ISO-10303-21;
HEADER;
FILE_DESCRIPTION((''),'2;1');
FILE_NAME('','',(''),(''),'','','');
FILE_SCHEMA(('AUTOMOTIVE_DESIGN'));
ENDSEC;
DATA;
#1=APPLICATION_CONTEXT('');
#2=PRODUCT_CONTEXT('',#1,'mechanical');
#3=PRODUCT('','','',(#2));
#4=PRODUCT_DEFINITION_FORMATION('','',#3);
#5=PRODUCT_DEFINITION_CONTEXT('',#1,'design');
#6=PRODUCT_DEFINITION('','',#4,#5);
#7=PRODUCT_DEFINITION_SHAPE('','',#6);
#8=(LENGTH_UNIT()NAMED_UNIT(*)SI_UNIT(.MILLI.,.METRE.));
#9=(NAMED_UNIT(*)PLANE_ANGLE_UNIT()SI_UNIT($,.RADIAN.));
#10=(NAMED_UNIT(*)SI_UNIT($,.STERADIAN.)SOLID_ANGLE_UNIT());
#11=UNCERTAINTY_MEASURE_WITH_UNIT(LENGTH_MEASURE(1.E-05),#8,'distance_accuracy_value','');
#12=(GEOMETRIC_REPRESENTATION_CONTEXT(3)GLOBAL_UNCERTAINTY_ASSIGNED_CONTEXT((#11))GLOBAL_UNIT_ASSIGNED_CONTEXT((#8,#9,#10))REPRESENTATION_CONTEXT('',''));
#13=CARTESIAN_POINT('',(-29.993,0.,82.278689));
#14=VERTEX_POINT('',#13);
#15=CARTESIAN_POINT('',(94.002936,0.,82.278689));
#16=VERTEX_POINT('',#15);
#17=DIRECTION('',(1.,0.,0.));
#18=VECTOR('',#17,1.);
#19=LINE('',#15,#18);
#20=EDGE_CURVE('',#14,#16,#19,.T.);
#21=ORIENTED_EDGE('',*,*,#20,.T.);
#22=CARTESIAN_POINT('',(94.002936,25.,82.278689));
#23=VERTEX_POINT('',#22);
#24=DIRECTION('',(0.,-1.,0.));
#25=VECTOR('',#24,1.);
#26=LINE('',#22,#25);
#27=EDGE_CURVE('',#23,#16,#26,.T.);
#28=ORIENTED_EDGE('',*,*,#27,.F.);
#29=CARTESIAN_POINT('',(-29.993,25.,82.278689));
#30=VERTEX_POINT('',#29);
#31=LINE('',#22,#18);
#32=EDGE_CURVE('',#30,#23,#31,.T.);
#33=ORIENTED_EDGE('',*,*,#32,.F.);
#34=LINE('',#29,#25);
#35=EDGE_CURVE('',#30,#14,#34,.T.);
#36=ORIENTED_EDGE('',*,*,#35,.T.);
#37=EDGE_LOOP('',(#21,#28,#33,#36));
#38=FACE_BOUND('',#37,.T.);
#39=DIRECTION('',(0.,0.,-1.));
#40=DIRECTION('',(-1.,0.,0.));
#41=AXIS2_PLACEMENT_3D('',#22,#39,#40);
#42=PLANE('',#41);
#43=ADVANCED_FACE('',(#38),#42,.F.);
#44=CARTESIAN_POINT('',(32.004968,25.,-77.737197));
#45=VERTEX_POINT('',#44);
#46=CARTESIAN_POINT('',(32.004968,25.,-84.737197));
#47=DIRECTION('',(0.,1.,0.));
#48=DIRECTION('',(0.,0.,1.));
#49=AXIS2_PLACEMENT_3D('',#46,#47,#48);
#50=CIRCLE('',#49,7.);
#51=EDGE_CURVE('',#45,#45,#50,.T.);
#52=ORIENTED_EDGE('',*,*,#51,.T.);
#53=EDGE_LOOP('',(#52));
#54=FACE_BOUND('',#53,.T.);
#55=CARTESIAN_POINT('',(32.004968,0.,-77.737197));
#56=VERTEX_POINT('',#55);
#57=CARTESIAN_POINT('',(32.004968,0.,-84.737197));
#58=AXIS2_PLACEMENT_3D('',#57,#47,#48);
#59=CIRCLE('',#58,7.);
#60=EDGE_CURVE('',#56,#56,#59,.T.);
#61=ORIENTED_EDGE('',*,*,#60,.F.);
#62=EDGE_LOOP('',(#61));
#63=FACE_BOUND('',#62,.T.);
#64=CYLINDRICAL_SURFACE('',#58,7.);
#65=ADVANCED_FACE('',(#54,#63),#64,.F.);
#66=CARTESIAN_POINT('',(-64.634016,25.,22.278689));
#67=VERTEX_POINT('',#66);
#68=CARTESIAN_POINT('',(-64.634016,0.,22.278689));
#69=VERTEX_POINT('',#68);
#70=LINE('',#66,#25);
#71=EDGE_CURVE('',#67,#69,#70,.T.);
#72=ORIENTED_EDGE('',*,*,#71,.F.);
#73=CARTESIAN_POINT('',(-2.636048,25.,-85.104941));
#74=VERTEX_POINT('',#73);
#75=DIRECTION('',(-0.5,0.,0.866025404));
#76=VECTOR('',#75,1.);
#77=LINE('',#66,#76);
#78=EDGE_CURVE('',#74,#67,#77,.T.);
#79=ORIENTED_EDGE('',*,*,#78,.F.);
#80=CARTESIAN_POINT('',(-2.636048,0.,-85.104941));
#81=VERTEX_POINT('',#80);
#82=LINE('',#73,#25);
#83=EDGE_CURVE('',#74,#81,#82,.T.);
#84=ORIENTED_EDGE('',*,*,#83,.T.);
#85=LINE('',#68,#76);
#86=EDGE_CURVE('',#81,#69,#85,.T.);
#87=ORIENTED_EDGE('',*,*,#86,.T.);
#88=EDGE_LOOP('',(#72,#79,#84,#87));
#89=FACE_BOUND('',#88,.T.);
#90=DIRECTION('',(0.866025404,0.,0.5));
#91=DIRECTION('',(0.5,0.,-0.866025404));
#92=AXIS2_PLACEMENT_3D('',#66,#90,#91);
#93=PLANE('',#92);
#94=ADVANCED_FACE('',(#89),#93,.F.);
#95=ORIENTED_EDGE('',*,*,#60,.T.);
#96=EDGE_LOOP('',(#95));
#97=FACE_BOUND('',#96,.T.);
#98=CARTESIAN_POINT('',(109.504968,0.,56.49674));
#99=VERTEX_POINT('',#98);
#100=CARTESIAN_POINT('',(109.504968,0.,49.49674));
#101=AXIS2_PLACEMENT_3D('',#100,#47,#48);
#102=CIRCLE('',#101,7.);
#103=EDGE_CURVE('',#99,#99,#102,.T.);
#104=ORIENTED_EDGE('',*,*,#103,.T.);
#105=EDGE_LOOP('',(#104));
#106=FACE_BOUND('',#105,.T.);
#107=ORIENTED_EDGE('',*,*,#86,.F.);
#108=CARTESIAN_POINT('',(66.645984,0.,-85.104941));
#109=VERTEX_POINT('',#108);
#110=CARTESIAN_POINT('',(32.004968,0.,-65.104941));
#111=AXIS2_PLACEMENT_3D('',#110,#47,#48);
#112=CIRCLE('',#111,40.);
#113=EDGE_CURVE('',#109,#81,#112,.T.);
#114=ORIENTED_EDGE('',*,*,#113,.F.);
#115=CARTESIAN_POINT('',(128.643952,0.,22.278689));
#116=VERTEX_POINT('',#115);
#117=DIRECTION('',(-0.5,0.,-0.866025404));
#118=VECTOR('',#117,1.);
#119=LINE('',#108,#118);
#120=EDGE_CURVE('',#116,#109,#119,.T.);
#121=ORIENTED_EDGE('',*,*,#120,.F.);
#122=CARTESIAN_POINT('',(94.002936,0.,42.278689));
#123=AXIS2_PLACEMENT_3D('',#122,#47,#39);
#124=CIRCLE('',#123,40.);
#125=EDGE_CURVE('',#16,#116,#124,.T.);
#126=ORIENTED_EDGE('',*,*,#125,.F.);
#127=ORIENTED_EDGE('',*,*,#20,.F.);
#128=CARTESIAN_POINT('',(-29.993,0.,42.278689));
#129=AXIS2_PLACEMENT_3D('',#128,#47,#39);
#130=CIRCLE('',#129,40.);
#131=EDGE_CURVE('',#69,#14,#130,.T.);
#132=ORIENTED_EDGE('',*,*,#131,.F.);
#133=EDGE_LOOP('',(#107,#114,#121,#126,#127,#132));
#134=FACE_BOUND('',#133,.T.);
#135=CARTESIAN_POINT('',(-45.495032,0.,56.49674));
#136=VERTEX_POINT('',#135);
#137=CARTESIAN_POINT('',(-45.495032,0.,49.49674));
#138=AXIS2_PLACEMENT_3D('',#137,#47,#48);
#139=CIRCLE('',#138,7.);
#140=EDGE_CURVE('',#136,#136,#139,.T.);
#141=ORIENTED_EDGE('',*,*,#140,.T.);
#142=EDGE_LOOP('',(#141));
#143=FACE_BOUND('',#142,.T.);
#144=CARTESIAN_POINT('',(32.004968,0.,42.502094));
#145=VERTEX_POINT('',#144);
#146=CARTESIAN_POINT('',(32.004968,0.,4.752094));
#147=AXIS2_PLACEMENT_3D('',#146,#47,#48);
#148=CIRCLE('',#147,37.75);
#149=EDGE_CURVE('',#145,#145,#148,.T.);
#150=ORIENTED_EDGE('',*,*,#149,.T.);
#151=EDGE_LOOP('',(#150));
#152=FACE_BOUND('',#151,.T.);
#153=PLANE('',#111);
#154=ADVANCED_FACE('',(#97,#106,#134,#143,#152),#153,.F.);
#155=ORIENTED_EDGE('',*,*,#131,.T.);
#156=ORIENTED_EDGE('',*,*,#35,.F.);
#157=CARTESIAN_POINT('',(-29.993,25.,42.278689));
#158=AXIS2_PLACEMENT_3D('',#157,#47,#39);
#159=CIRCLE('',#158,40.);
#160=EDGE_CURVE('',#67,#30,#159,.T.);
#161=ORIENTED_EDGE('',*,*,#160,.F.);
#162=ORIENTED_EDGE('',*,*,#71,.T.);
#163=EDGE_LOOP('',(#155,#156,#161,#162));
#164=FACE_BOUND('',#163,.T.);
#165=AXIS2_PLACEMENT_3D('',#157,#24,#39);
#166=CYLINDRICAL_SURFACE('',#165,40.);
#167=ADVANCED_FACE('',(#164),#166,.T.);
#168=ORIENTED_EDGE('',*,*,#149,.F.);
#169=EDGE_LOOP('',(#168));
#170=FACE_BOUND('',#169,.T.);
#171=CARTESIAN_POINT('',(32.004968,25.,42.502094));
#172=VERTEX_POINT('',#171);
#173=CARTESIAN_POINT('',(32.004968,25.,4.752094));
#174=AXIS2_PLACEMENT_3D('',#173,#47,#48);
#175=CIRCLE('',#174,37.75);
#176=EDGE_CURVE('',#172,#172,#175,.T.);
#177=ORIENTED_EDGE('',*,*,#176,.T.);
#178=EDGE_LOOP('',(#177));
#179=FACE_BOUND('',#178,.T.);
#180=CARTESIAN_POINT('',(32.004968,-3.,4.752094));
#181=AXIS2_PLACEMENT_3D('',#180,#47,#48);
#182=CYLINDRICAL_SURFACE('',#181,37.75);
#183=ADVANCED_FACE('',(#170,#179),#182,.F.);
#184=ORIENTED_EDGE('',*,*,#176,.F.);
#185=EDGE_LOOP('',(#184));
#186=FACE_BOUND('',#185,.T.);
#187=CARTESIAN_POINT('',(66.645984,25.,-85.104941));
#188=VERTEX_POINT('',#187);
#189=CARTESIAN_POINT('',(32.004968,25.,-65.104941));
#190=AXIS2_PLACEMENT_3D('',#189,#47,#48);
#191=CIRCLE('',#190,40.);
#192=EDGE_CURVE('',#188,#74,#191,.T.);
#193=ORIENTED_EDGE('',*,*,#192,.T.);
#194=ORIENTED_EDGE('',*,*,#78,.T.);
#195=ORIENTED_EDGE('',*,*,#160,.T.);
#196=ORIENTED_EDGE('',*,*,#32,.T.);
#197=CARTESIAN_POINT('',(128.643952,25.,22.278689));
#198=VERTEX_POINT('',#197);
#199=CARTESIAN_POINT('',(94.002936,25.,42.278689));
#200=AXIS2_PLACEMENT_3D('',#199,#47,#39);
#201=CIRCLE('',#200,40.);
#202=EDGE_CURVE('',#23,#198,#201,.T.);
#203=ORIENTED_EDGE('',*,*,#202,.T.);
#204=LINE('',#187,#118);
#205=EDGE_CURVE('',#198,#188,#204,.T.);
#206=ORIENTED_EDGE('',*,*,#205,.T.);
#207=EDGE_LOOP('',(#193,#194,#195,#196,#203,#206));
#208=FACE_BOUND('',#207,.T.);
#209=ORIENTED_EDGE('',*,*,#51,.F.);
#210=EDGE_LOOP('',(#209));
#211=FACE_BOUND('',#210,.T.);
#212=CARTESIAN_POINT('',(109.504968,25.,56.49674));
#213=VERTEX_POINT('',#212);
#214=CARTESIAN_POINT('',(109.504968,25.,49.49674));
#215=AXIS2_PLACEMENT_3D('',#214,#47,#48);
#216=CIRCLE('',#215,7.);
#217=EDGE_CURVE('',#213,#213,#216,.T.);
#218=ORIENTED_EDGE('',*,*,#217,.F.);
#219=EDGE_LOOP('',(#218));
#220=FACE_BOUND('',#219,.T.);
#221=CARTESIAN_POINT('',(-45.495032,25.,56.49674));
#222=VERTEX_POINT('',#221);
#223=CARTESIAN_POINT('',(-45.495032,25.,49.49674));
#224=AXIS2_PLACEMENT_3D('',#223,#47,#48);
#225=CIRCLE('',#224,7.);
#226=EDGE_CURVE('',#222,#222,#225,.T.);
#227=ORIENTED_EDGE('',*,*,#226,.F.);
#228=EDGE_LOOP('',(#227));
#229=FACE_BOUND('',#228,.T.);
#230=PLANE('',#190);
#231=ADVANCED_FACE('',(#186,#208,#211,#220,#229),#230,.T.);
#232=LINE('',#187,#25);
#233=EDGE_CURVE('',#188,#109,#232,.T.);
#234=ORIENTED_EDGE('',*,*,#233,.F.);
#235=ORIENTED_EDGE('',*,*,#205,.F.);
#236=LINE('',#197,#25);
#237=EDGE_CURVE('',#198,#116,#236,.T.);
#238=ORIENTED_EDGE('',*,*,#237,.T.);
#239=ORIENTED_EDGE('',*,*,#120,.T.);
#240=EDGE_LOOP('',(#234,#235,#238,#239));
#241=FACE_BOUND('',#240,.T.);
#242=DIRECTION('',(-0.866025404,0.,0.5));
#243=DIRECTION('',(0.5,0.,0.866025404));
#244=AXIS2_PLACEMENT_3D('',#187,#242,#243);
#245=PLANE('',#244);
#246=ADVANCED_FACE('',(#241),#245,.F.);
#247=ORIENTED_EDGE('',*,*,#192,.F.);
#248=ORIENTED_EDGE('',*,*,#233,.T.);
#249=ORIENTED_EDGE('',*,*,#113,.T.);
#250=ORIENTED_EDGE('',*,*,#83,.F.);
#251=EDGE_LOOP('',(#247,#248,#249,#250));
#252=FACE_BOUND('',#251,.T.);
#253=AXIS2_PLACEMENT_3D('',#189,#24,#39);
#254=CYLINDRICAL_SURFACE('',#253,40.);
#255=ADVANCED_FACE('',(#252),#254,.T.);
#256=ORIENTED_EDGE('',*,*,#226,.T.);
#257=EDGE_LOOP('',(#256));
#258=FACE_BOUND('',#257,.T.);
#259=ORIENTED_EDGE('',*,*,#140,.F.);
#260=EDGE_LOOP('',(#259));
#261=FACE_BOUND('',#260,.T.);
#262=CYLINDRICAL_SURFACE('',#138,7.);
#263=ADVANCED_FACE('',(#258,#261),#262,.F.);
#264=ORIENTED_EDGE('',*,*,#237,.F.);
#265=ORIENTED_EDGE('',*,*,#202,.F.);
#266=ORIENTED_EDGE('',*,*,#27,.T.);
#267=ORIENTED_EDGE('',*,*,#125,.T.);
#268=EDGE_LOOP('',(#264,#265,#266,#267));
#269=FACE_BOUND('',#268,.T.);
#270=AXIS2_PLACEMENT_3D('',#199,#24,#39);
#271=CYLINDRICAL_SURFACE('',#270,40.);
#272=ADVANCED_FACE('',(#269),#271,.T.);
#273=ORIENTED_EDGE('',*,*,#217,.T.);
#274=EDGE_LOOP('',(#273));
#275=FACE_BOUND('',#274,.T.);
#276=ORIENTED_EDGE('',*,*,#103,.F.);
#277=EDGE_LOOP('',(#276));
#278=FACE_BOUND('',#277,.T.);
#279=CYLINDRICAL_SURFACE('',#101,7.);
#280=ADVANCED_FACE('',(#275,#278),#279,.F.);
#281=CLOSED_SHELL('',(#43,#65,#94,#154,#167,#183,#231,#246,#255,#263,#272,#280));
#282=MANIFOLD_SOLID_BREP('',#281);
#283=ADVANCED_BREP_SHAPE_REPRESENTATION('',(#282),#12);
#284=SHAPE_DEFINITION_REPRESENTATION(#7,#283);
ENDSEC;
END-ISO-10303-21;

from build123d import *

# Parameters (mm, degrees)
BOSS_EXTRUDE1_DEPTH = 25
SKETCH2_R           = 37.75
CUT_EXTRUDE1_DEPTH  = 28
SKETCH3_R           = 7
CUT_EXTRUDE2_DEPTH  = 173.13028653


with BuildPart() as part:
    # Sketch1 → Boss-Extrude1 (new body)
    with BuildSketch(Plane(origin=(0, 0, 0), x_dir=(1, 0, 0), z_dir=(0, 1, 0))):
        with BuildLine():
            Line((66.645984298, 85.104941493), (128.643951995, -22.278688525))
            ThreePointArc((128.643951995, -22.278688525), (128.643951995, -62.278688525), (94.002935844, -82.278688525))
            Line((94.002935844, -82.278688525), (-29.992999551, -82.278688525))
            ThreePointArc((-29.992999551, -82.278688525), (-64.634015702, -62.278688525), (-64.634015702, -22.278688525))
            Line((-64.634015702, -22.278688525), (-2.636048005, 85.104941493))
            ThreePointArc((-2.636048005, 85.104941493), (32.004968146, 105.104941493), (66.645984298, 85.104941493))
        make_face()
    extrude(amount=BOSS_EXTRUDE1_DEPTH)

    # Sketch2 → Cut-Extrude1 (cut)
    with BuildSketch(Plane(origin=(0, 25, 0), x_dir=(1, 0, 0), z_dir=(0, 1, 0))):
        with Locations(Location((32.004968146, -4.752094378, 0), (0, 0, 270))):
            Circle(SKETCH2_R)
    extrude(amount=-CUT_EXTRUDE1_DEPTH, mode=Mode.SUBTRACT)

    # Sketch3 → Cut-Extrude2 (cut, through all)
    with BuildSketch(Plane(origin=(0, 25, 0), x_dir=(1, 0, 0), z_dir=(0, 1, 0))):
        with Locations(Location((32.004968146, 84.737197347, 0), (0, 0, 270))):
            Circle(SKETCH3_R)
        with Locations(Location((109.504968146, -49.49674024, 0), (0, 0, 270))):
            Circle(SKETCH3_R)
        with Locations(Location((-45.495031854, -49.49674024, 0), (0, 0, 270))):
            Circle(SKETCH3_R)
    extrude(amount=-CUT_EXTRUDE2_DEPTH, mode=Mode.SUBTRACT)


solid = part.part
